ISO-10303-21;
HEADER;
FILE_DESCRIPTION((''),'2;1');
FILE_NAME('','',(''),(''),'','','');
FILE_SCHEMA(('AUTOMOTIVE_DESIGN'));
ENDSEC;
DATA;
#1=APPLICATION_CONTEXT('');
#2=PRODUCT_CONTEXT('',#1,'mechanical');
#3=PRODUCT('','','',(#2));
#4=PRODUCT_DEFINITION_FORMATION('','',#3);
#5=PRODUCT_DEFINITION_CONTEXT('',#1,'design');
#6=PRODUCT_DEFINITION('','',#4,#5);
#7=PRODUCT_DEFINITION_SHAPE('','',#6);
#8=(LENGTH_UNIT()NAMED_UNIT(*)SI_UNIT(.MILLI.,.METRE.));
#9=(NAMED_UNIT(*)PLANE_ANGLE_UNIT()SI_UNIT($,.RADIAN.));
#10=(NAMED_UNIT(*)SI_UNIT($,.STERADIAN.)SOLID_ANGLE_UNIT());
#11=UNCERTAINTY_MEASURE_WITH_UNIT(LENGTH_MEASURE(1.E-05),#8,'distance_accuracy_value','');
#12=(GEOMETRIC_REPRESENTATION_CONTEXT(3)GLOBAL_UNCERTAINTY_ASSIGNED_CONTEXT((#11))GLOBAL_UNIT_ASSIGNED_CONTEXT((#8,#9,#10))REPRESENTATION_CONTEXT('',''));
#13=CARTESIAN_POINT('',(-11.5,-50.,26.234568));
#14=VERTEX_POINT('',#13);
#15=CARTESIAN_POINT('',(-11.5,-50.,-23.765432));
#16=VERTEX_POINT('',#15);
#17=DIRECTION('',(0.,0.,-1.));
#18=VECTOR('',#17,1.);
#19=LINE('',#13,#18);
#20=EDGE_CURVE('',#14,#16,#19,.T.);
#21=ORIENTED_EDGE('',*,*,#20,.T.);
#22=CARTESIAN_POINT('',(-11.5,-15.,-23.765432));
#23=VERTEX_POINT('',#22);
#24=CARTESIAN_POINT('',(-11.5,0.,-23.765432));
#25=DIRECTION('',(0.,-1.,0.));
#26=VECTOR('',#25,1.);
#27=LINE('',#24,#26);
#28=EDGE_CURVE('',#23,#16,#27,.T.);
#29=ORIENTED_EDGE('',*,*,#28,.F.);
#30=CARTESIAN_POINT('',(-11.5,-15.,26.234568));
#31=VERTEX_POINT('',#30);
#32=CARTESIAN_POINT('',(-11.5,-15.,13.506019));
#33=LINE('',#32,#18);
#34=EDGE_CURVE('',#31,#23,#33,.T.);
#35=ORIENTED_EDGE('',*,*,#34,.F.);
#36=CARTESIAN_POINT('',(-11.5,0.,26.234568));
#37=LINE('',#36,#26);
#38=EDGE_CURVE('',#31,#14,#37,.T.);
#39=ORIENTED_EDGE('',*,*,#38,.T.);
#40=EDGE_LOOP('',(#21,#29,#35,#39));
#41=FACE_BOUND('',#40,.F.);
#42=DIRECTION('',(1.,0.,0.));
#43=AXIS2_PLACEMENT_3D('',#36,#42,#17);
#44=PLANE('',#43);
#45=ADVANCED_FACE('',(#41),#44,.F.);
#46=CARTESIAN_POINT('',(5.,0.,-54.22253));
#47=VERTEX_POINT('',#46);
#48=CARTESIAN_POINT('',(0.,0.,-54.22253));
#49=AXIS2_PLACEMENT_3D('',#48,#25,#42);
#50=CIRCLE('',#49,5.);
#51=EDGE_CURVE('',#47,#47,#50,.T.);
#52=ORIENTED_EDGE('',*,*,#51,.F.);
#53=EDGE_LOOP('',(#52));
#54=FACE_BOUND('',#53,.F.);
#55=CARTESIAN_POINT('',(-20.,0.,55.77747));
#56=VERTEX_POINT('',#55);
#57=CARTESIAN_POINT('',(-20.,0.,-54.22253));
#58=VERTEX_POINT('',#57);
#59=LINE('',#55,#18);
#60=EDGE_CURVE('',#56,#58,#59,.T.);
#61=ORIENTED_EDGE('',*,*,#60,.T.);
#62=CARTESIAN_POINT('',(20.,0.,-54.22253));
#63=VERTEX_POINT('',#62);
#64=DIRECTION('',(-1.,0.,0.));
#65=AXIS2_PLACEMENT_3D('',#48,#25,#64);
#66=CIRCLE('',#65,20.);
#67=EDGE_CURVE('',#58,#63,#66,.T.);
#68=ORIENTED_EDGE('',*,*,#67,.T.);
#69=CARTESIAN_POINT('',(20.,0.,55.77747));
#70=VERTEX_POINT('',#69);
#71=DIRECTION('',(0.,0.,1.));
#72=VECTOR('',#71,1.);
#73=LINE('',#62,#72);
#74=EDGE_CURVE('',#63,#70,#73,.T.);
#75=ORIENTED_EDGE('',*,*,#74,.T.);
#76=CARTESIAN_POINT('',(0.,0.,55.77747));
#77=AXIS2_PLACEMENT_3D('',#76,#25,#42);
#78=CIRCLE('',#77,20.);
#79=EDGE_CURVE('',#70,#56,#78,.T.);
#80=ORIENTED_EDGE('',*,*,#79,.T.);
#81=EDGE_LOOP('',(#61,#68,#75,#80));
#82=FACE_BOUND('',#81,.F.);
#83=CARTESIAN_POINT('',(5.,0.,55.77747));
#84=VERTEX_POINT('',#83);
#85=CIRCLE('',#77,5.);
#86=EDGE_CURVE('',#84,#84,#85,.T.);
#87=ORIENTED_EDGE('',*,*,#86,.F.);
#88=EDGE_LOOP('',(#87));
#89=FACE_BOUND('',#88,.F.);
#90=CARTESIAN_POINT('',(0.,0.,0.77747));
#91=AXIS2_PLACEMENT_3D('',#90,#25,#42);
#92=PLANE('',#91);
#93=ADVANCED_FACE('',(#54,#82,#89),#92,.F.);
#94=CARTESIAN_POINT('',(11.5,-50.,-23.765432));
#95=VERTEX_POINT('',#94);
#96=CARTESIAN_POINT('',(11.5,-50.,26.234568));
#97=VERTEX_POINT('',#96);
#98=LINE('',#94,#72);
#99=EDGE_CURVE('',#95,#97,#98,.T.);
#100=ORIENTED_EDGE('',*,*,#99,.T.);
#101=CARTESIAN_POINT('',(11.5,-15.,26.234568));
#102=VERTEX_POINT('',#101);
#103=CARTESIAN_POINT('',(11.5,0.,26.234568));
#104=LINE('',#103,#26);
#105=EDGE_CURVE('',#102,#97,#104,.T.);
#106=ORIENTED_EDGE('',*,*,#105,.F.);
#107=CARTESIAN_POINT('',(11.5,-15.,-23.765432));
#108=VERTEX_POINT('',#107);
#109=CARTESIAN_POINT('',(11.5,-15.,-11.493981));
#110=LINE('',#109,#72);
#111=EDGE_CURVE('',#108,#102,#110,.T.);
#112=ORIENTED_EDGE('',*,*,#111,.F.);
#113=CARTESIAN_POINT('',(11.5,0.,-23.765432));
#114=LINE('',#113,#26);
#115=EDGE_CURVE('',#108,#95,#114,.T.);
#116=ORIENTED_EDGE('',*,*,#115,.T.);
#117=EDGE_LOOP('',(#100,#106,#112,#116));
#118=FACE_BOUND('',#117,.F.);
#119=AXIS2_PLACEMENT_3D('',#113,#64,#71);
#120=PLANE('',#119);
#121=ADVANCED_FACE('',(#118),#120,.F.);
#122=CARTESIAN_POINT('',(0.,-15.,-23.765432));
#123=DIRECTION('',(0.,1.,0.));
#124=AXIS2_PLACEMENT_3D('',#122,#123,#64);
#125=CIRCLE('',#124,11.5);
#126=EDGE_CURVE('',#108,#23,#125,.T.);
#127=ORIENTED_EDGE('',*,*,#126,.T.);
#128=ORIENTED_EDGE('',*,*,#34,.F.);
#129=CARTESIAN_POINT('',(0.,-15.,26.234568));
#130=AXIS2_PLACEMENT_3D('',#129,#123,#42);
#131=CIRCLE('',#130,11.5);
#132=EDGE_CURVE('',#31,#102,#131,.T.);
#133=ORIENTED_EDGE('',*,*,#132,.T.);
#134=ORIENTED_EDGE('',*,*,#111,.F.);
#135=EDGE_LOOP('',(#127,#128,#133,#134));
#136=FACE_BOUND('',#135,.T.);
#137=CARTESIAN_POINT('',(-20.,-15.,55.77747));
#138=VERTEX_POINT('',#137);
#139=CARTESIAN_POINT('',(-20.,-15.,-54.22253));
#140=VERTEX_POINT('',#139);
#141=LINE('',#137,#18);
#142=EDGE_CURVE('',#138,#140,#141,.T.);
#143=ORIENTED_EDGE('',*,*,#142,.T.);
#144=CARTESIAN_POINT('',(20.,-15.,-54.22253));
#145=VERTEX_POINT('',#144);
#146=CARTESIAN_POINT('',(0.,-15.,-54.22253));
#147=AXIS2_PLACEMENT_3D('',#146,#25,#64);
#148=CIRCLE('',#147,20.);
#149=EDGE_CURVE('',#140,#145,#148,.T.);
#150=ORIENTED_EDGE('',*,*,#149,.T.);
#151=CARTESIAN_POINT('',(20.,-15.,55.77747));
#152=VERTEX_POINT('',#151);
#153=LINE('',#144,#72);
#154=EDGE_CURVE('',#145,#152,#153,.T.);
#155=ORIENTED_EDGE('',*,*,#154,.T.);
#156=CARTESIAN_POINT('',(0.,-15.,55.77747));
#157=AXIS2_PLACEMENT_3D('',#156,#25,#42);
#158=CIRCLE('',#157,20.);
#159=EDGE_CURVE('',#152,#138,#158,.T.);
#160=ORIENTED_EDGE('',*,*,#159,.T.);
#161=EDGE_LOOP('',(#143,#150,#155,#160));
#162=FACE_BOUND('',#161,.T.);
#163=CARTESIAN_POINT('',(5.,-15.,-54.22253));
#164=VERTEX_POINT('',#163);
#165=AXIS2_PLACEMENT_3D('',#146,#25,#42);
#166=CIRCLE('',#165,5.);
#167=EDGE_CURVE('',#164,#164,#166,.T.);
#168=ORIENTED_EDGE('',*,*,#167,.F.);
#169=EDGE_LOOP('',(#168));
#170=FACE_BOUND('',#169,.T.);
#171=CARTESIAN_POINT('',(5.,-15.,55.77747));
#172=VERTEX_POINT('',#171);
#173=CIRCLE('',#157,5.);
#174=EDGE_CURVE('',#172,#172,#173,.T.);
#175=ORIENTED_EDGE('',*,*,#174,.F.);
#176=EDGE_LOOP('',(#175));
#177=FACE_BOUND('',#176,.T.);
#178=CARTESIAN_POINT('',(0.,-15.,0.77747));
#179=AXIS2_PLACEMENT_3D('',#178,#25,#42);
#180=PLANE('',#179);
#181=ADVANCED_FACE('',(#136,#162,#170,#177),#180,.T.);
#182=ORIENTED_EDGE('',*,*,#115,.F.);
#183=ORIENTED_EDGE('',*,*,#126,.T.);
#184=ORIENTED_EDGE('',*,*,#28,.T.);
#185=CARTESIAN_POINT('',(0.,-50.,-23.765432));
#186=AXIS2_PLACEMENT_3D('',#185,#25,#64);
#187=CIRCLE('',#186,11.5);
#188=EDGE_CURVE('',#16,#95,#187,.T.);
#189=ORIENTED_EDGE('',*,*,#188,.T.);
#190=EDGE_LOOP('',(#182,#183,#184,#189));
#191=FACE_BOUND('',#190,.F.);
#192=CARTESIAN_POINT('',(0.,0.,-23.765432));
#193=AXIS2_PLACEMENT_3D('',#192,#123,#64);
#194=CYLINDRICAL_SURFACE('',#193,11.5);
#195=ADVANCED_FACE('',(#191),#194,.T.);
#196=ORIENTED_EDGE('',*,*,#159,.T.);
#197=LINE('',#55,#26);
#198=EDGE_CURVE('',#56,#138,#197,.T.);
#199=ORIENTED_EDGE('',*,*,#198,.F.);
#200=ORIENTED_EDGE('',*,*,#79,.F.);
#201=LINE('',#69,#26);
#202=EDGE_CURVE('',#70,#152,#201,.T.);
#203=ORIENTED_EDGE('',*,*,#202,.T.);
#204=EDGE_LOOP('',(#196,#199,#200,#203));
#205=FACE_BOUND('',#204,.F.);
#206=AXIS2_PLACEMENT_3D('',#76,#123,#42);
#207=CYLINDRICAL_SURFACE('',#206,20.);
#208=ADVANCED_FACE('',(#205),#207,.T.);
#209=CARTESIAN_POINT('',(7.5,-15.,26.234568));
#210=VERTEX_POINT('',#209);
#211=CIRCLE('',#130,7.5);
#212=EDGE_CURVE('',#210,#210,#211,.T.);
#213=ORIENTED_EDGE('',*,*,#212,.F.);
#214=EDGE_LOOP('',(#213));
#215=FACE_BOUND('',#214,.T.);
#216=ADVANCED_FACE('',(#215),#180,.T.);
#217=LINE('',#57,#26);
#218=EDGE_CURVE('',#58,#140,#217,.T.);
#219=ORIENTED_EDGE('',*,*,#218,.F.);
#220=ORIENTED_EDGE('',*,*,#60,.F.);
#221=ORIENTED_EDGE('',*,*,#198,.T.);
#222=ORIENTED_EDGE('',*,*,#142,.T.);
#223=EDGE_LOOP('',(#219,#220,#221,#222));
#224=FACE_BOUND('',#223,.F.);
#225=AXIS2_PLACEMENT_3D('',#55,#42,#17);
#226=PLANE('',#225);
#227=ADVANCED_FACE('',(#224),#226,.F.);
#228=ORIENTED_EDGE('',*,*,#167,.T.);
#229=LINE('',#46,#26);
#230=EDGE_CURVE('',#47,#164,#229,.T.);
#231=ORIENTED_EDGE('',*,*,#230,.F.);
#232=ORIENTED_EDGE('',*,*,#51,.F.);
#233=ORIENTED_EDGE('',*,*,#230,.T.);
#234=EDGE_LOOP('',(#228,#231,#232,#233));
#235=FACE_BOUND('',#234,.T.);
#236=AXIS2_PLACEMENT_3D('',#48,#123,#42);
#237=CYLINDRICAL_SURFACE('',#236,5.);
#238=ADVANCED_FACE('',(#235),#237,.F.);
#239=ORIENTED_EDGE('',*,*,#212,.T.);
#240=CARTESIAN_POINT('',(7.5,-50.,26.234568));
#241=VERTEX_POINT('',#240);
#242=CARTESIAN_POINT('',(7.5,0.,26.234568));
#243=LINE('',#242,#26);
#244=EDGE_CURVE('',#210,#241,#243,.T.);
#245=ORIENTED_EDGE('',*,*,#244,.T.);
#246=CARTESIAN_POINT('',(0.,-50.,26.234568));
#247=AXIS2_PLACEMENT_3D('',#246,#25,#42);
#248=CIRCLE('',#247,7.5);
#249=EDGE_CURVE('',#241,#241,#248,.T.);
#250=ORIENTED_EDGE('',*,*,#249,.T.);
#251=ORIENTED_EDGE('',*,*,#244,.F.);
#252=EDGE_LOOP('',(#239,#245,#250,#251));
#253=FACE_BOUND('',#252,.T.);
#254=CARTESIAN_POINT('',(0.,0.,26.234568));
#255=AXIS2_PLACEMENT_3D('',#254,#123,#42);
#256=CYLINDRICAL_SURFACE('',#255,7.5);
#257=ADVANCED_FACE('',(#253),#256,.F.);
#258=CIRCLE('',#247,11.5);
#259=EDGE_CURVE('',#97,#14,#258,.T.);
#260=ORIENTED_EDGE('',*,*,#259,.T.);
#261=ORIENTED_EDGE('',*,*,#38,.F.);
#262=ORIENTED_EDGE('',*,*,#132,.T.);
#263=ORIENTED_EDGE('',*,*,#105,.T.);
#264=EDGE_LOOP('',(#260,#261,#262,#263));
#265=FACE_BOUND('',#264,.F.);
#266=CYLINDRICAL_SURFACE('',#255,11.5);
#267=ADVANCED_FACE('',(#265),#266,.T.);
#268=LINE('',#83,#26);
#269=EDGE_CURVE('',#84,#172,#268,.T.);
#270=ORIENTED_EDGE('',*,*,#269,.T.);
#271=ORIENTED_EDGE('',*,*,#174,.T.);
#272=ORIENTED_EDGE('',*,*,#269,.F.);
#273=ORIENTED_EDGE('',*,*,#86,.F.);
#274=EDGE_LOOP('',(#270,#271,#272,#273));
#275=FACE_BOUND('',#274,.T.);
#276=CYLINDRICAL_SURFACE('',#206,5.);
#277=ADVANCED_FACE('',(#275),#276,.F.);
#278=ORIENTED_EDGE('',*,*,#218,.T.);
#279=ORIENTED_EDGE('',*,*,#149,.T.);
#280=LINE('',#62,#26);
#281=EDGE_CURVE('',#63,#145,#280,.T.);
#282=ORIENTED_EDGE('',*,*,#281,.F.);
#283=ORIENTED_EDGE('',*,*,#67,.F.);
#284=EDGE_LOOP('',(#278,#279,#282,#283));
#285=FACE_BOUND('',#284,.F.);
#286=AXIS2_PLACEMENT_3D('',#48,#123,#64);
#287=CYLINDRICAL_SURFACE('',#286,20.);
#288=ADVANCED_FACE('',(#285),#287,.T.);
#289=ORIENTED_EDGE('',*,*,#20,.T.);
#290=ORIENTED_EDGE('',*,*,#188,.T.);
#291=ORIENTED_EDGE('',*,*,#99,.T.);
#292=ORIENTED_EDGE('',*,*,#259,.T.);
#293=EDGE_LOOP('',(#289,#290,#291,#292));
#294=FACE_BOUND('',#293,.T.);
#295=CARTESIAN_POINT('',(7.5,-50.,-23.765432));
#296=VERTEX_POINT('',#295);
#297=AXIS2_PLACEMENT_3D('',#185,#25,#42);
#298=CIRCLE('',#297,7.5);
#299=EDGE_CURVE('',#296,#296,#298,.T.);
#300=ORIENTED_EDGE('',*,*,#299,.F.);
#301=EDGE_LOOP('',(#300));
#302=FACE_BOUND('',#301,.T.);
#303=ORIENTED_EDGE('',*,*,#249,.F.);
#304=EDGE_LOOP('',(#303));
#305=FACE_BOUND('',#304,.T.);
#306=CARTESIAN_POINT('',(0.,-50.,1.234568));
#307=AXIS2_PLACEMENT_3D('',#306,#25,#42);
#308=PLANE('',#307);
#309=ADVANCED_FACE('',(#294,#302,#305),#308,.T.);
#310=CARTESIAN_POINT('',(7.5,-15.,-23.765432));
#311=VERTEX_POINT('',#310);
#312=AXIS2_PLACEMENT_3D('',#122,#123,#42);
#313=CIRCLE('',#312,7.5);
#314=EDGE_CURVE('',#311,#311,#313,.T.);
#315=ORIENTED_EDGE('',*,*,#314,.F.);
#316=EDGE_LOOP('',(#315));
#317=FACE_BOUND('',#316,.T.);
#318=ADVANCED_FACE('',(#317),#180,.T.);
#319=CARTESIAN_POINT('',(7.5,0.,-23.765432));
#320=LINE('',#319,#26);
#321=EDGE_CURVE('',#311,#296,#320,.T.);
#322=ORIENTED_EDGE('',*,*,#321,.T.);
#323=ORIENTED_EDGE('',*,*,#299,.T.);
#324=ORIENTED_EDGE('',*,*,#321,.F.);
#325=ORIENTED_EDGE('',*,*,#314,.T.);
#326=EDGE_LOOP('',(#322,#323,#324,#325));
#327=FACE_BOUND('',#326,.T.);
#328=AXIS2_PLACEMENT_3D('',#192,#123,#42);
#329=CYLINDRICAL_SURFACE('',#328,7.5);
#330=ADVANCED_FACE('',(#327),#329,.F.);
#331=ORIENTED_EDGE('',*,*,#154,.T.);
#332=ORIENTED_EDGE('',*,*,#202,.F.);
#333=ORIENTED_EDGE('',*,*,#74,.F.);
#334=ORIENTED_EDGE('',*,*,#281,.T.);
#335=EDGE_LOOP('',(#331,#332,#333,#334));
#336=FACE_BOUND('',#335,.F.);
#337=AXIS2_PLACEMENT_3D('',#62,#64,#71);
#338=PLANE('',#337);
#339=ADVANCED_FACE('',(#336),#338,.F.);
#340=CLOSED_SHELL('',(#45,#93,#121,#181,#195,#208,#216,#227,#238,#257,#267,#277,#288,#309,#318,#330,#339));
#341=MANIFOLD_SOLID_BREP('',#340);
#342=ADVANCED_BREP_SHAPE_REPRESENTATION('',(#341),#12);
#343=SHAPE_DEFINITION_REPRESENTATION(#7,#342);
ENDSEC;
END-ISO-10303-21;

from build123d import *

# Parameters (mm, degrees)
F0_R     = 7.5
F1_DEPTH = 50
F2_R     = 5
F3_DEPTH = 15


with BuildPart() as f1:
    # F0 (on Front) → F1 (new body)
    with BuildSketch(Plane.XZ):
        with BuildLine():
            Line((11.5, -23.765432), (11.5, 26.234568))
            ThreePointArc((11.5, 26.234568), (0, 37.734568), (-11.5, 26.234568))
            Line((-11.5, 26.234568), (-11.5, -23.765432))
            ThreePointArc((-11.5, -23.765432), (0, -35.265432), (11.5, -23.765432))
        make_face()
        with Locations((0, -23.765432)):
            Circle(F0_R, mode=Mode.SUBTRACT)
        with Locations((0, 26.234568)):
            Circle(F0_R, mode=Mode.SUBTRACT)
    extrude(amount=F1_DEPTH)

    # F2 (on Front) → F3 (join)
    with BuildSketch(Plane.XZ):
        with BuildLine():
            Line((-20, 55.77747), (-20, -54.22253))
            ThreePointArc((-20, -54.22253), (0, -74.22253), (20, -54.22253))
            Line((20, -54.22253), (20, 55.77747))
            ThreePointArc((20, 55.77747), (0, 75.77747), (-20, 55.77747))
        make_face()
        with Locations((0, -54.22253)):
            Circle(F2_R, mode=Mode.SUBTRACT)
        with Locations((0, 55.77747)):
            Circle(F2_R, mode=Mode.SUBTRACT)
    extrude(amount=F3_DEPTH)


solid = f1.part
